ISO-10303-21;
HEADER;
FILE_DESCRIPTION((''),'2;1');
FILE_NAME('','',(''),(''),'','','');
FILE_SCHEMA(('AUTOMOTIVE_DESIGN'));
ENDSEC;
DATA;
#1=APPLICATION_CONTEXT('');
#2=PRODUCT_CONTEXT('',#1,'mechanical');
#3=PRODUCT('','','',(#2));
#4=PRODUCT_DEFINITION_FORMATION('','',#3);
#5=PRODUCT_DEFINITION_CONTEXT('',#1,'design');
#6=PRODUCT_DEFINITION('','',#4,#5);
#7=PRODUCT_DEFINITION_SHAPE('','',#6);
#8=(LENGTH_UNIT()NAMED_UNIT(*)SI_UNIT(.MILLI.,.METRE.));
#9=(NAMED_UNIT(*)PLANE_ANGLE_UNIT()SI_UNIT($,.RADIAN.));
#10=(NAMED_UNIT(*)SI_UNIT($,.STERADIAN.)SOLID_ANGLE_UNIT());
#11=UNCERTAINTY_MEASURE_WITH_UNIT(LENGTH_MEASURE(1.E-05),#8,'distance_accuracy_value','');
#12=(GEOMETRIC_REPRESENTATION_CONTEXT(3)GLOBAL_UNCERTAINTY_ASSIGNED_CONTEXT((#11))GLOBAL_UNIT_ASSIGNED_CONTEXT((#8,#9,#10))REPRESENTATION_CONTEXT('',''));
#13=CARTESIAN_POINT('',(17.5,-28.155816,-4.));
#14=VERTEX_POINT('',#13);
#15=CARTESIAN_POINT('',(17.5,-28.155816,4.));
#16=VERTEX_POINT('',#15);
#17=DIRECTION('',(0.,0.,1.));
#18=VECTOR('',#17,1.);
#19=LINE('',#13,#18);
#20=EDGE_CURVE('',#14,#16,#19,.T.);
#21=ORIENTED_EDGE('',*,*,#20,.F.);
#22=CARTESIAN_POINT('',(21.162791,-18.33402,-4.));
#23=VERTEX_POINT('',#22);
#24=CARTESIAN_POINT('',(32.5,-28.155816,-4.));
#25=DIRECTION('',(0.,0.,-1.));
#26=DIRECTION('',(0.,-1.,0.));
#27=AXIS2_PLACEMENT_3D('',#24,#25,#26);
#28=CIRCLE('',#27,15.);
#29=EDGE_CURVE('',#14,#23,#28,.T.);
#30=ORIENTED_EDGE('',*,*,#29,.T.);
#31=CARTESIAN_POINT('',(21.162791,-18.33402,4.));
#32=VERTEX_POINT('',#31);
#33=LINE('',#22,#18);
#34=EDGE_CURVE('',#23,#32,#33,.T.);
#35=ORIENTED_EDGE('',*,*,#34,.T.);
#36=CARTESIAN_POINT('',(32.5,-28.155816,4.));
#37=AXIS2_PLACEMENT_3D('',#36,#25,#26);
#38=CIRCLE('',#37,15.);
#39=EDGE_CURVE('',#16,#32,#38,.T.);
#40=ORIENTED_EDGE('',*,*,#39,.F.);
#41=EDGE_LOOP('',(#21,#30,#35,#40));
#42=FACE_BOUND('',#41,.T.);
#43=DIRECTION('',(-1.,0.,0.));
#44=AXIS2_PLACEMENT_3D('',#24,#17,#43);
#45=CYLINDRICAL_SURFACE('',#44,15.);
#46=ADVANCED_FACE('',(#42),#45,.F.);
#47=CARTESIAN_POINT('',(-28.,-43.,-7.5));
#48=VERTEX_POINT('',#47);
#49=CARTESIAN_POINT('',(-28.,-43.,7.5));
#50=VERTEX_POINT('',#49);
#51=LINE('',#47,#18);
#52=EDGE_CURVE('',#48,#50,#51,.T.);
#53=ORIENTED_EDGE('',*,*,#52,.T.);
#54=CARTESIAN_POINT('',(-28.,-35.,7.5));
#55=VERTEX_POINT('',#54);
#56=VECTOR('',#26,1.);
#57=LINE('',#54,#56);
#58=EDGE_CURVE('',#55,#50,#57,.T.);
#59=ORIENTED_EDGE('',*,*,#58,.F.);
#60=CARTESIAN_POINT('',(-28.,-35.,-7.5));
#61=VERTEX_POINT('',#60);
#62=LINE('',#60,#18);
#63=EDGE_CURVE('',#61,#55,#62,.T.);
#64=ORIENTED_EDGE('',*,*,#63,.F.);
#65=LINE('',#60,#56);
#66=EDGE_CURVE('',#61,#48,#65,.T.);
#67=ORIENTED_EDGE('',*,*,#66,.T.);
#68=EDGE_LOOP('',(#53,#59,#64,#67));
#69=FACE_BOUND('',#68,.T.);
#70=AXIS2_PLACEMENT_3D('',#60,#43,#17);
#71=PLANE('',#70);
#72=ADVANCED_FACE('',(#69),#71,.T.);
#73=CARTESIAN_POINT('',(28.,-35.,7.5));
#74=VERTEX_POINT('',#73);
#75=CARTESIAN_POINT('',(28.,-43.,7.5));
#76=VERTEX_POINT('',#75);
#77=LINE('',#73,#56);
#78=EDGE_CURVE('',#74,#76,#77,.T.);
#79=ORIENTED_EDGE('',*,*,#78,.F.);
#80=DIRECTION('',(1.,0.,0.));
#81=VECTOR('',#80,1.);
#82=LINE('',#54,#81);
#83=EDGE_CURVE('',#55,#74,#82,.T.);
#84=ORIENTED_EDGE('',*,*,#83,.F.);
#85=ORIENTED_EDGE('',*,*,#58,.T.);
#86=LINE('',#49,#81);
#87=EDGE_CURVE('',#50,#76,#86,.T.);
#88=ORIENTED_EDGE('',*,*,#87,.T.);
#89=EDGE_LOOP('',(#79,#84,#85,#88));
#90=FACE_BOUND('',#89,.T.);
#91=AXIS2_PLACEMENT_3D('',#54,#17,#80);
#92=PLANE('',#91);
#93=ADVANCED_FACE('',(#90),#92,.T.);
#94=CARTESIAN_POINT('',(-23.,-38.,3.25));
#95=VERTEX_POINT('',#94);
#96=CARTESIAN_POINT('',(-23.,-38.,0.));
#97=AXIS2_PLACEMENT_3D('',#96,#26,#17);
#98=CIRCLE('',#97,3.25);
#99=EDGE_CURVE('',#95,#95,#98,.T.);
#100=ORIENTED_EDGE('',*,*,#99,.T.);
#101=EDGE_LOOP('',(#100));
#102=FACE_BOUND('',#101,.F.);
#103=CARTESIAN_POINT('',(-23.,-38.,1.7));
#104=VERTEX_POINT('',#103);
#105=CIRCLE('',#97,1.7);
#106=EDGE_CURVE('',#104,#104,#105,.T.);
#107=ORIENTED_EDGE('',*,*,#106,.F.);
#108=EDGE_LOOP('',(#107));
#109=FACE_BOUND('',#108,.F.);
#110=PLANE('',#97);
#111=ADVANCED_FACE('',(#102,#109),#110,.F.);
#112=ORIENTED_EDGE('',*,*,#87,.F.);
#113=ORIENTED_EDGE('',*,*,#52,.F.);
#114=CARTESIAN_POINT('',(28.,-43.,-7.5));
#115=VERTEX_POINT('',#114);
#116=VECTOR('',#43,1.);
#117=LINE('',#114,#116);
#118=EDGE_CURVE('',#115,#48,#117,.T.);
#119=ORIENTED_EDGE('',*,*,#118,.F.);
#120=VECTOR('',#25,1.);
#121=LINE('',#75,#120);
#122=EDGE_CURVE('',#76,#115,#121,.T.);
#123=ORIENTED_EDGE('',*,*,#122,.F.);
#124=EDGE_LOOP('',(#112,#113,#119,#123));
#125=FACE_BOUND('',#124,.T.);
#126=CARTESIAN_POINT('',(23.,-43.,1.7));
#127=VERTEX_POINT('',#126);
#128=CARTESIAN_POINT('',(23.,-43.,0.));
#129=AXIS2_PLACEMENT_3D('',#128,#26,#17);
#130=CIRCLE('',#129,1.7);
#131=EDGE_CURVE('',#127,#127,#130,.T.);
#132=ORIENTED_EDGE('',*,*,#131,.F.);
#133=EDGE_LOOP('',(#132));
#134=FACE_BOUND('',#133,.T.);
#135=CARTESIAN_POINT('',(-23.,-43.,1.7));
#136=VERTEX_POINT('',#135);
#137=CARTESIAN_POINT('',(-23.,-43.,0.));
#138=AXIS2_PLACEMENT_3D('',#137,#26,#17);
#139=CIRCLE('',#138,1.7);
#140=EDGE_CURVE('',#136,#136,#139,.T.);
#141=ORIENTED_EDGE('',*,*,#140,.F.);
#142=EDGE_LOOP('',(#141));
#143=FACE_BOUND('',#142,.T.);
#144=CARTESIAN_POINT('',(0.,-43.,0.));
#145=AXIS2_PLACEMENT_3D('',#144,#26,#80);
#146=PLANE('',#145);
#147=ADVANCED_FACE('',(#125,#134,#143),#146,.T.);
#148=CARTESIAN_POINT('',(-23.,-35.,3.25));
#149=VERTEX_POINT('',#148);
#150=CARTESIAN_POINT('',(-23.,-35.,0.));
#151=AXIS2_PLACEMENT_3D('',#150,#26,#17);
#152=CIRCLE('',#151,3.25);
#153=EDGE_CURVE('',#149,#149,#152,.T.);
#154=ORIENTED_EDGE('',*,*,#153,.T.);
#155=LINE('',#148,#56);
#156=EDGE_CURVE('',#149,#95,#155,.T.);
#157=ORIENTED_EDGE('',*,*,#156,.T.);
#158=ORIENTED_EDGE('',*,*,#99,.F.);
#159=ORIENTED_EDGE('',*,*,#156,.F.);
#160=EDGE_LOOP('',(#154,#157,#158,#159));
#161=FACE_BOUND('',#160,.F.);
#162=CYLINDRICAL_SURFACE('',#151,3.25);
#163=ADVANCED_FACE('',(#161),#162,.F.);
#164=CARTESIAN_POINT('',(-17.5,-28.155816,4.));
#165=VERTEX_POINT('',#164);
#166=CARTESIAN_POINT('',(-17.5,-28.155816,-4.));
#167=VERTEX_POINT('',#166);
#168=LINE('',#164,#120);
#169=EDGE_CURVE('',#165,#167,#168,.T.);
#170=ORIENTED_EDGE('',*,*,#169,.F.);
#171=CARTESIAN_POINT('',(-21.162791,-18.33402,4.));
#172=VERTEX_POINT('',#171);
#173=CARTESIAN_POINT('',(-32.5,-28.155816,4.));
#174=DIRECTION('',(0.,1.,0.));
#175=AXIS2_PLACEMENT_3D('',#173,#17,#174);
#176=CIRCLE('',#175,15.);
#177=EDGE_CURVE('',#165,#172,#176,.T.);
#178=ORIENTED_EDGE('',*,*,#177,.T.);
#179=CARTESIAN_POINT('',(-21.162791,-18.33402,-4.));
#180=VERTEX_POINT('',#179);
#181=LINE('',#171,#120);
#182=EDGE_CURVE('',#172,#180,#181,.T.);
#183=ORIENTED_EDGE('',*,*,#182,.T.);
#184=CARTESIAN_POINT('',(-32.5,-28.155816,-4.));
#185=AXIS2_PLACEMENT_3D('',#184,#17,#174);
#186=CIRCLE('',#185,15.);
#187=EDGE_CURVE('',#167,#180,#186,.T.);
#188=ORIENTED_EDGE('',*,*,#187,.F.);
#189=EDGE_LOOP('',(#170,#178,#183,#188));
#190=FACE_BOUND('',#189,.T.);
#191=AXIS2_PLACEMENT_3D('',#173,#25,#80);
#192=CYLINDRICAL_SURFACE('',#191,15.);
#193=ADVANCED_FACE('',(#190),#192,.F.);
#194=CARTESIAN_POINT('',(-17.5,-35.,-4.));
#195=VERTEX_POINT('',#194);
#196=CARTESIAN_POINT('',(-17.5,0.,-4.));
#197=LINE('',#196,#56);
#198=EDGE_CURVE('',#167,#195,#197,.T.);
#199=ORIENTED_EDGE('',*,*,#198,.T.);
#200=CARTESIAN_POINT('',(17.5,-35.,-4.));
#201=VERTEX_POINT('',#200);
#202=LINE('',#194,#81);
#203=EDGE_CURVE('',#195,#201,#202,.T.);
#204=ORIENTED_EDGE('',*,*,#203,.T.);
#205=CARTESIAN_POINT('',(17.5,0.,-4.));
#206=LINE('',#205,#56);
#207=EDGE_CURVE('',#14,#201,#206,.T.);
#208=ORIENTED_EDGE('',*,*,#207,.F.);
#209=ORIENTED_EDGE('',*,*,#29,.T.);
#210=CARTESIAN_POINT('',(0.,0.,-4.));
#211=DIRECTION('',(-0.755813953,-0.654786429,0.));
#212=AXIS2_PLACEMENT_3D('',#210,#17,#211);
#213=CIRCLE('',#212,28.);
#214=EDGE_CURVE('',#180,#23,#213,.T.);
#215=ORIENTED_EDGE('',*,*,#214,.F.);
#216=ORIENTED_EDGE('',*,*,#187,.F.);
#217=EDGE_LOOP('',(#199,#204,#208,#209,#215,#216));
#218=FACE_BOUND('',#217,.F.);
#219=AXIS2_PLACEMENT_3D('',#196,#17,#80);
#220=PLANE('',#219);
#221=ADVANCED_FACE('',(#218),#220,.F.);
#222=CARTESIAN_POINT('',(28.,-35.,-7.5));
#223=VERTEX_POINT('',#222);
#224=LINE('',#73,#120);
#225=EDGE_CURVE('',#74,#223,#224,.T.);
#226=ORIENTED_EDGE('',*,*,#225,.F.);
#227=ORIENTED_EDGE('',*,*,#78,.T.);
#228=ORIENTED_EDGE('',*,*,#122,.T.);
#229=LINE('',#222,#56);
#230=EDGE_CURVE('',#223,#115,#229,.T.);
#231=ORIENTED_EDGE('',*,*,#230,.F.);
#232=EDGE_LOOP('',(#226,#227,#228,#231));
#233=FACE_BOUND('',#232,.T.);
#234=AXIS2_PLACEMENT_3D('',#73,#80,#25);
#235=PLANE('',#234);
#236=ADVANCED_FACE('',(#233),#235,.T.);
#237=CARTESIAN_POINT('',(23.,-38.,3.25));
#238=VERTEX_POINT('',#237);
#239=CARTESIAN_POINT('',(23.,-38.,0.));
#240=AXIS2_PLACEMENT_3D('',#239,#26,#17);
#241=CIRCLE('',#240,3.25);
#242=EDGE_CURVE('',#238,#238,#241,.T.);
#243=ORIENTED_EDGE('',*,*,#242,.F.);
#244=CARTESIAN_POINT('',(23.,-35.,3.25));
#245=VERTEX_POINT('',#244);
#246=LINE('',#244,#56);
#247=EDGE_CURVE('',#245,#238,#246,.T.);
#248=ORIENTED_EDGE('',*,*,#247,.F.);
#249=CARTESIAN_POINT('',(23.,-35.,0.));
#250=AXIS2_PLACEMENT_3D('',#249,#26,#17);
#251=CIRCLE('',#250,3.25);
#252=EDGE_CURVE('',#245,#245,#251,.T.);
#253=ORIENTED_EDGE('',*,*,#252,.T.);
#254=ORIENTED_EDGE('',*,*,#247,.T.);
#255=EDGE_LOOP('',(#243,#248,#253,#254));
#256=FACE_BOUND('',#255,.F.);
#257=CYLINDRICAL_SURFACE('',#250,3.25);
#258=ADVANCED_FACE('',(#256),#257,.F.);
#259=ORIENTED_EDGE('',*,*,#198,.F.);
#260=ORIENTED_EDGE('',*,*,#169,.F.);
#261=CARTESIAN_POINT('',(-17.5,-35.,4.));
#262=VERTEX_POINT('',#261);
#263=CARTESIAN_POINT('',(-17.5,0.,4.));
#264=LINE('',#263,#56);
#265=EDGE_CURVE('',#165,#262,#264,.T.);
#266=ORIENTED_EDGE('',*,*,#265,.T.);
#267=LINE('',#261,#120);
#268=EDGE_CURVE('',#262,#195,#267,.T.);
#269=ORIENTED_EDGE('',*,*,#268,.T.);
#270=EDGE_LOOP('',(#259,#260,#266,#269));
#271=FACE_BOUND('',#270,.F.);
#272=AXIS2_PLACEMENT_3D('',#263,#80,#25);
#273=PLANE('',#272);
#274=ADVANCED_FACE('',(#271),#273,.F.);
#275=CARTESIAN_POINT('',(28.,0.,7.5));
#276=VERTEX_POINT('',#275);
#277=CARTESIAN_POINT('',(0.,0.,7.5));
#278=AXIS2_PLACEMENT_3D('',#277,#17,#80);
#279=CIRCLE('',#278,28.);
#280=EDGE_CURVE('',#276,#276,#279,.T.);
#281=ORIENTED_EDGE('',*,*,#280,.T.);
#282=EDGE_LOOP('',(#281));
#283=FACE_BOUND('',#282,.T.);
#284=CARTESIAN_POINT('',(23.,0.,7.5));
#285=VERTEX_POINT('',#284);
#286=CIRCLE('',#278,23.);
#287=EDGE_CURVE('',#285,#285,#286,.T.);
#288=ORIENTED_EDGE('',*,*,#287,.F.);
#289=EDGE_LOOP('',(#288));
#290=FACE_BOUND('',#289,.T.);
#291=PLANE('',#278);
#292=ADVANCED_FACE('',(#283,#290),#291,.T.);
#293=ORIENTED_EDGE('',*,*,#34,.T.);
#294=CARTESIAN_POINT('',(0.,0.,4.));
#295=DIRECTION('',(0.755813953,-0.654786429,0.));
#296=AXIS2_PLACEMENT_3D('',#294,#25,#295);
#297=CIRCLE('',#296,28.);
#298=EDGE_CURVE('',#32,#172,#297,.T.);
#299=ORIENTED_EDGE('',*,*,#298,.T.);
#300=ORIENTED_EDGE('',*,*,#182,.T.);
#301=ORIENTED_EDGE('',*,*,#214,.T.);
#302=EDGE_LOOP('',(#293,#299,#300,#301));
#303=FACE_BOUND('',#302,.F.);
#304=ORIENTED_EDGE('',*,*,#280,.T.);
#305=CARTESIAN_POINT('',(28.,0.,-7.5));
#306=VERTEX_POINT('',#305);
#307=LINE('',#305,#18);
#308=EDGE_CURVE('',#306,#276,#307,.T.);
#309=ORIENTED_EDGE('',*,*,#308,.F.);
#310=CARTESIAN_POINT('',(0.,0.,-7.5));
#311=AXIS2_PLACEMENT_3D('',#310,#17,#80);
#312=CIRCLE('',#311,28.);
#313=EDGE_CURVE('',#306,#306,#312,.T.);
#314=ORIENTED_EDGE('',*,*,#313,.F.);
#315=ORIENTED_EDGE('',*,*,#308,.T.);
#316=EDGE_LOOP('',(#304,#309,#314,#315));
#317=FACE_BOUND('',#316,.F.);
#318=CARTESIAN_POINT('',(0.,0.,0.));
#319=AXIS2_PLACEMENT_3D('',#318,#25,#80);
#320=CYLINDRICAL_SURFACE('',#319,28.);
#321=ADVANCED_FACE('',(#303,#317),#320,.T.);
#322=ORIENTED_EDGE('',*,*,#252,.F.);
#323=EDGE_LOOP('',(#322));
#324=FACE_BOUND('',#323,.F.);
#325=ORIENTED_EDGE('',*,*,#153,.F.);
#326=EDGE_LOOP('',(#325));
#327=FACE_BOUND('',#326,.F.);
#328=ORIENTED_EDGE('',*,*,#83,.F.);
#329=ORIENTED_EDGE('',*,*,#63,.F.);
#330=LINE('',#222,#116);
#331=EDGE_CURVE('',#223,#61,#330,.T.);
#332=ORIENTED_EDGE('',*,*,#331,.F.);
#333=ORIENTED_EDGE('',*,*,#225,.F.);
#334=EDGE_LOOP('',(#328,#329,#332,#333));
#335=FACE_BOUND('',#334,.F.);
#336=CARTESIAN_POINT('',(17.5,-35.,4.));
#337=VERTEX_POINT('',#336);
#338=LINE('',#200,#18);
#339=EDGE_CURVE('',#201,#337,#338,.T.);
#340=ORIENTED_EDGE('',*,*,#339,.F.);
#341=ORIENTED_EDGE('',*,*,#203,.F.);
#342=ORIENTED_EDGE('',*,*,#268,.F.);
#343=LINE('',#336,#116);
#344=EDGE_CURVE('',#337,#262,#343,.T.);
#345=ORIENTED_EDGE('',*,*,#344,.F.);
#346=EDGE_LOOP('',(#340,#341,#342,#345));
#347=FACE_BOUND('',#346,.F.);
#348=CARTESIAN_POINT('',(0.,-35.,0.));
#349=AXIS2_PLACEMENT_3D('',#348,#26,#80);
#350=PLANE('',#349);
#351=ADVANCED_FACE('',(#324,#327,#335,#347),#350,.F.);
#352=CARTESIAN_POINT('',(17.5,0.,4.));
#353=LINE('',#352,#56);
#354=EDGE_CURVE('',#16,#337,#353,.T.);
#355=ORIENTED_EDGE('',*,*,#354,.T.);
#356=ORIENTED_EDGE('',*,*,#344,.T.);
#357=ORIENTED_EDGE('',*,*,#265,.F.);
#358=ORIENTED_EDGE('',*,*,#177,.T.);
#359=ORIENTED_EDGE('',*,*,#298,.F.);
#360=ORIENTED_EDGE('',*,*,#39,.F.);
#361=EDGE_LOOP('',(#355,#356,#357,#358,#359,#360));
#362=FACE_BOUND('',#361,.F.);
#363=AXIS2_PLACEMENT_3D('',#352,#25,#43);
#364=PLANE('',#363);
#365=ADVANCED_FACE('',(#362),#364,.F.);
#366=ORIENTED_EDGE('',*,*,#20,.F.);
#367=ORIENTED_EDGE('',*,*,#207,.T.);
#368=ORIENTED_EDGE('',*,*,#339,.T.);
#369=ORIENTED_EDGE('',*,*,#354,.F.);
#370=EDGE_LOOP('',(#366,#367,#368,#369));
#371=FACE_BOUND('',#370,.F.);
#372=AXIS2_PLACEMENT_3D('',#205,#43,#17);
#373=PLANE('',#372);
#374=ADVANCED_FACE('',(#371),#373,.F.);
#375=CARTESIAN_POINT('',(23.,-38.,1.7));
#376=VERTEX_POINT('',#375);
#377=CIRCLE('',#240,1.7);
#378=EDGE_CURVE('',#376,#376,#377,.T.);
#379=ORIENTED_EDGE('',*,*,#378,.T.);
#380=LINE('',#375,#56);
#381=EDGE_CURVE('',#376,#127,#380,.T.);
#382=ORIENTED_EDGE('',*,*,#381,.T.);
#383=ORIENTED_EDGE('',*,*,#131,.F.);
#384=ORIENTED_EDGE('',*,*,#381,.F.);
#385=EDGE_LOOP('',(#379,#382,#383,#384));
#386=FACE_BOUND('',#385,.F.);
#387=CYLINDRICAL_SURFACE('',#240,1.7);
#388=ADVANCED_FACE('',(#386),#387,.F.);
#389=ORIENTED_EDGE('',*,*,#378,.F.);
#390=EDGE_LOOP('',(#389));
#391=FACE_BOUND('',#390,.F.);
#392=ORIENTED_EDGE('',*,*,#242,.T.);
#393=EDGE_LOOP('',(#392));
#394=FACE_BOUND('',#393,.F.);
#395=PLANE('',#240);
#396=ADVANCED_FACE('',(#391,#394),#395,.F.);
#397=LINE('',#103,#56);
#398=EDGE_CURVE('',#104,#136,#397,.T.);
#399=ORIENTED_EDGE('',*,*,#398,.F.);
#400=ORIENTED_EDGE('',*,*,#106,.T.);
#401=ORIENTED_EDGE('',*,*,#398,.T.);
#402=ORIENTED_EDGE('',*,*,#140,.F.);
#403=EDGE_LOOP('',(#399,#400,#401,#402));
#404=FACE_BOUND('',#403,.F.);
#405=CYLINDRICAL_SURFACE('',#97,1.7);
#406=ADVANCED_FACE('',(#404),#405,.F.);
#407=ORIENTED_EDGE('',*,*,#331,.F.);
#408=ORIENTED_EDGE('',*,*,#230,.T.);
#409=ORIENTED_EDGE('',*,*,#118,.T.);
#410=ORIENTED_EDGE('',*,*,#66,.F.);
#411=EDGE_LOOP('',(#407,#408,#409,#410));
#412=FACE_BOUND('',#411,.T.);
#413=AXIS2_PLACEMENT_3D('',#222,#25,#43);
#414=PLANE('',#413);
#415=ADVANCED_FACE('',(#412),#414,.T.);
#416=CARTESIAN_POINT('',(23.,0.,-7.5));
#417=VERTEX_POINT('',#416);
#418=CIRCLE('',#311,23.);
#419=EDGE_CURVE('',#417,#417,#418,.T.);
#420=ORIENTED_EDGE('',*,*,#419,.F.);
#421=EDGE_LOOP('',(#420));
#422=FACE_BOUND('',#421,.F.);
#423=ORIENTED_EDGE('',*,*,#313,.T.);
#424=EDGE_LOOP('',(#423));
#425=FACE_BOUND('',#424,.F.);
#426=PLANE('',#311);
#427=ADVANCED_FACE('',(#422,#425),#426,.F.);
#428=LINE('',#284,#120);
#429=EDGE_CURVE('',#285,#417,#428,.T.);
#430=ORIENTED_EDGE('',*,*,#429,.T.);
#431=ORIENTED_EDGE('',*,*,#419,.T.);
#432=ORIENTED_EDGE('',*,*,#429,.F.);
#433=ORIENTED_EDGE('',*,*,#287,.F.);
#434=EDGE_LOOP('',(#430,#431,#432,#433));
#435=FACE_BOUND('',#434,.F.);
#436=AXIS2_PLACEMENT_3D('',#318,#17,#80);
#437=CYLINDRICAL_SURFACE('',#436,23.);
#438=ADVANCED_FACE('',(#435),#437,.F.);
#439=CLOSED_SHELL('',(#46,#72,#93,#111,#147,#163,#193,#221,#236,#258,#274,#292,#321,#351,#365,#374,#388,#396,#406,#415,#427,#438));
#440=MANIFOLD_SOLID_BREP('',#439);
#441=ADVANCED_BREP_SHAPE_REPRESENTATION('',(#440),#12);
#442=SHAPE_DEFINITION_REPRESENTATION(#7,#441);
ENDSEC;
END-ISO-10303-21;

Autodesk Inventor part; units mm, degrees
ref_plane "YZ Plane" through (0, 0, 0) normal (1, 0, 0) x (0, 1, 0)
ref_plane "XZ Plane" through (0, 0, 0) normal (0, 1, 0) x (-1, 0, 0)
ref_plane "XY Plane" through (0, 0, 0) normal (0, 0, 1) x (1, 0, 0)
sketch "Sketch1" plane through (0, 0, 0) normal (0, 0, 1) x (1, 0, 0)
  circle A0 centre (0, 0) radius 23
  circle A1 centre (0, 0) radius 28
  dimension "d0" = 46
  dimension "d1" = 56
extrude "Extrusion1" add sketch "Sketch1" along normal mid plane 15
sketch "Sketch2" plane through (0, 0, 0) normal (0, 1, 0) x (-1, 0, 0)
  line L0 (17.5, -4) -> (-17.5, -4)
  line L1 (-17.5, -4) -> (-17.5, 4)
  line L2 (-17.5, 4) -> (17.5, 4)
  line L3 (17.5, 4) -> (17.5, -4)
  point P0 (0, 0)
  dimension "d4" = 8
  dimension "d5" = 4
  dimension "d6" = 35
  dimension "d7" = 17.5
extrude "Extrusion2" add sketch "Sketch2" against normal blind 35
sketch "Sketch3" plane through (0, -35, 0) normal (0, -1, 0) x (1, 0, 0)
  line L0 (-28, 7.5) -> (28, 7.5)
  line L1 (28, 7.5) -> (28, -7.5)
  line L2 (28, -7.5) -> (-28, -7.5)
  line L3 (-28, -7.5) -> (-28, 7.5)
  line L4 (-17.5, -4) -> (-17.5, 4) projected
  line L5 (-17.5, 4) -> (17.5, 4) projected
  line L6 (17.5, 4) -> (17.5, -4) projected
  line L7 (17.5, -4) -> (-17.5, -4) projected
  line L8 (-28, -7.5) -> (28, -7.5) projected
  line L9 (28, 7.5) -> (-28, 7.5) projected
  point P0 (0, 0)
extrude "Extrusion3" add sketch "Sketch3" along normal blind 8 contours L0 L1 L2 L3 | L4 L5 L6 L7
sketch "Sketch4" plane through (0, 0, 7.5) normal (0, 0, 1) x (1, 0, 0)
  circle A0 centre (0, 0) radius 23 projected
extrude "Extrusion4" cut sketch "Sketch4" against normal through all
fillet "Fillet1" radius 15 2 edges at (-17.5, -21.8575, 0) (17.5, -21.8575, 0)
sketch "Sketch5" plane through (0, -35, 0) normal (0, 1, 0) x (1, 0, 0)
  line L0 (28, 7.5) -> (28, -7.5) projected
  line L1 (-28, -7.5) -> (-28, 7.5) projected
  point P0 (0, 0)
  point P1 (-23, 0)
  point P2 (23, 0)
  point P3 (28, 0)
  dimension "d15" = 5
  dimension "d16" = 5
hole "Hole1" at (-23, -35, 0) at (23, -35, 0) direction (0, -1, 0) diameter 3.4 end through all counterbore diameter 6.5 counterbore depth 3 clearance for "Socket Head Cap Screw" size "M3" standard "Ansi Metric M Profile"
equation "\"d5\" = 0.5 * d4"
equation "\"d7\" = 0.5 * d6"
equation "\"d16\" = d15"
properties part number "15528 - 40mm - 1 0.25inch Universal Plastic Pipe Clip c-w Spacer Block (PP)" material "PVC-Piping"
